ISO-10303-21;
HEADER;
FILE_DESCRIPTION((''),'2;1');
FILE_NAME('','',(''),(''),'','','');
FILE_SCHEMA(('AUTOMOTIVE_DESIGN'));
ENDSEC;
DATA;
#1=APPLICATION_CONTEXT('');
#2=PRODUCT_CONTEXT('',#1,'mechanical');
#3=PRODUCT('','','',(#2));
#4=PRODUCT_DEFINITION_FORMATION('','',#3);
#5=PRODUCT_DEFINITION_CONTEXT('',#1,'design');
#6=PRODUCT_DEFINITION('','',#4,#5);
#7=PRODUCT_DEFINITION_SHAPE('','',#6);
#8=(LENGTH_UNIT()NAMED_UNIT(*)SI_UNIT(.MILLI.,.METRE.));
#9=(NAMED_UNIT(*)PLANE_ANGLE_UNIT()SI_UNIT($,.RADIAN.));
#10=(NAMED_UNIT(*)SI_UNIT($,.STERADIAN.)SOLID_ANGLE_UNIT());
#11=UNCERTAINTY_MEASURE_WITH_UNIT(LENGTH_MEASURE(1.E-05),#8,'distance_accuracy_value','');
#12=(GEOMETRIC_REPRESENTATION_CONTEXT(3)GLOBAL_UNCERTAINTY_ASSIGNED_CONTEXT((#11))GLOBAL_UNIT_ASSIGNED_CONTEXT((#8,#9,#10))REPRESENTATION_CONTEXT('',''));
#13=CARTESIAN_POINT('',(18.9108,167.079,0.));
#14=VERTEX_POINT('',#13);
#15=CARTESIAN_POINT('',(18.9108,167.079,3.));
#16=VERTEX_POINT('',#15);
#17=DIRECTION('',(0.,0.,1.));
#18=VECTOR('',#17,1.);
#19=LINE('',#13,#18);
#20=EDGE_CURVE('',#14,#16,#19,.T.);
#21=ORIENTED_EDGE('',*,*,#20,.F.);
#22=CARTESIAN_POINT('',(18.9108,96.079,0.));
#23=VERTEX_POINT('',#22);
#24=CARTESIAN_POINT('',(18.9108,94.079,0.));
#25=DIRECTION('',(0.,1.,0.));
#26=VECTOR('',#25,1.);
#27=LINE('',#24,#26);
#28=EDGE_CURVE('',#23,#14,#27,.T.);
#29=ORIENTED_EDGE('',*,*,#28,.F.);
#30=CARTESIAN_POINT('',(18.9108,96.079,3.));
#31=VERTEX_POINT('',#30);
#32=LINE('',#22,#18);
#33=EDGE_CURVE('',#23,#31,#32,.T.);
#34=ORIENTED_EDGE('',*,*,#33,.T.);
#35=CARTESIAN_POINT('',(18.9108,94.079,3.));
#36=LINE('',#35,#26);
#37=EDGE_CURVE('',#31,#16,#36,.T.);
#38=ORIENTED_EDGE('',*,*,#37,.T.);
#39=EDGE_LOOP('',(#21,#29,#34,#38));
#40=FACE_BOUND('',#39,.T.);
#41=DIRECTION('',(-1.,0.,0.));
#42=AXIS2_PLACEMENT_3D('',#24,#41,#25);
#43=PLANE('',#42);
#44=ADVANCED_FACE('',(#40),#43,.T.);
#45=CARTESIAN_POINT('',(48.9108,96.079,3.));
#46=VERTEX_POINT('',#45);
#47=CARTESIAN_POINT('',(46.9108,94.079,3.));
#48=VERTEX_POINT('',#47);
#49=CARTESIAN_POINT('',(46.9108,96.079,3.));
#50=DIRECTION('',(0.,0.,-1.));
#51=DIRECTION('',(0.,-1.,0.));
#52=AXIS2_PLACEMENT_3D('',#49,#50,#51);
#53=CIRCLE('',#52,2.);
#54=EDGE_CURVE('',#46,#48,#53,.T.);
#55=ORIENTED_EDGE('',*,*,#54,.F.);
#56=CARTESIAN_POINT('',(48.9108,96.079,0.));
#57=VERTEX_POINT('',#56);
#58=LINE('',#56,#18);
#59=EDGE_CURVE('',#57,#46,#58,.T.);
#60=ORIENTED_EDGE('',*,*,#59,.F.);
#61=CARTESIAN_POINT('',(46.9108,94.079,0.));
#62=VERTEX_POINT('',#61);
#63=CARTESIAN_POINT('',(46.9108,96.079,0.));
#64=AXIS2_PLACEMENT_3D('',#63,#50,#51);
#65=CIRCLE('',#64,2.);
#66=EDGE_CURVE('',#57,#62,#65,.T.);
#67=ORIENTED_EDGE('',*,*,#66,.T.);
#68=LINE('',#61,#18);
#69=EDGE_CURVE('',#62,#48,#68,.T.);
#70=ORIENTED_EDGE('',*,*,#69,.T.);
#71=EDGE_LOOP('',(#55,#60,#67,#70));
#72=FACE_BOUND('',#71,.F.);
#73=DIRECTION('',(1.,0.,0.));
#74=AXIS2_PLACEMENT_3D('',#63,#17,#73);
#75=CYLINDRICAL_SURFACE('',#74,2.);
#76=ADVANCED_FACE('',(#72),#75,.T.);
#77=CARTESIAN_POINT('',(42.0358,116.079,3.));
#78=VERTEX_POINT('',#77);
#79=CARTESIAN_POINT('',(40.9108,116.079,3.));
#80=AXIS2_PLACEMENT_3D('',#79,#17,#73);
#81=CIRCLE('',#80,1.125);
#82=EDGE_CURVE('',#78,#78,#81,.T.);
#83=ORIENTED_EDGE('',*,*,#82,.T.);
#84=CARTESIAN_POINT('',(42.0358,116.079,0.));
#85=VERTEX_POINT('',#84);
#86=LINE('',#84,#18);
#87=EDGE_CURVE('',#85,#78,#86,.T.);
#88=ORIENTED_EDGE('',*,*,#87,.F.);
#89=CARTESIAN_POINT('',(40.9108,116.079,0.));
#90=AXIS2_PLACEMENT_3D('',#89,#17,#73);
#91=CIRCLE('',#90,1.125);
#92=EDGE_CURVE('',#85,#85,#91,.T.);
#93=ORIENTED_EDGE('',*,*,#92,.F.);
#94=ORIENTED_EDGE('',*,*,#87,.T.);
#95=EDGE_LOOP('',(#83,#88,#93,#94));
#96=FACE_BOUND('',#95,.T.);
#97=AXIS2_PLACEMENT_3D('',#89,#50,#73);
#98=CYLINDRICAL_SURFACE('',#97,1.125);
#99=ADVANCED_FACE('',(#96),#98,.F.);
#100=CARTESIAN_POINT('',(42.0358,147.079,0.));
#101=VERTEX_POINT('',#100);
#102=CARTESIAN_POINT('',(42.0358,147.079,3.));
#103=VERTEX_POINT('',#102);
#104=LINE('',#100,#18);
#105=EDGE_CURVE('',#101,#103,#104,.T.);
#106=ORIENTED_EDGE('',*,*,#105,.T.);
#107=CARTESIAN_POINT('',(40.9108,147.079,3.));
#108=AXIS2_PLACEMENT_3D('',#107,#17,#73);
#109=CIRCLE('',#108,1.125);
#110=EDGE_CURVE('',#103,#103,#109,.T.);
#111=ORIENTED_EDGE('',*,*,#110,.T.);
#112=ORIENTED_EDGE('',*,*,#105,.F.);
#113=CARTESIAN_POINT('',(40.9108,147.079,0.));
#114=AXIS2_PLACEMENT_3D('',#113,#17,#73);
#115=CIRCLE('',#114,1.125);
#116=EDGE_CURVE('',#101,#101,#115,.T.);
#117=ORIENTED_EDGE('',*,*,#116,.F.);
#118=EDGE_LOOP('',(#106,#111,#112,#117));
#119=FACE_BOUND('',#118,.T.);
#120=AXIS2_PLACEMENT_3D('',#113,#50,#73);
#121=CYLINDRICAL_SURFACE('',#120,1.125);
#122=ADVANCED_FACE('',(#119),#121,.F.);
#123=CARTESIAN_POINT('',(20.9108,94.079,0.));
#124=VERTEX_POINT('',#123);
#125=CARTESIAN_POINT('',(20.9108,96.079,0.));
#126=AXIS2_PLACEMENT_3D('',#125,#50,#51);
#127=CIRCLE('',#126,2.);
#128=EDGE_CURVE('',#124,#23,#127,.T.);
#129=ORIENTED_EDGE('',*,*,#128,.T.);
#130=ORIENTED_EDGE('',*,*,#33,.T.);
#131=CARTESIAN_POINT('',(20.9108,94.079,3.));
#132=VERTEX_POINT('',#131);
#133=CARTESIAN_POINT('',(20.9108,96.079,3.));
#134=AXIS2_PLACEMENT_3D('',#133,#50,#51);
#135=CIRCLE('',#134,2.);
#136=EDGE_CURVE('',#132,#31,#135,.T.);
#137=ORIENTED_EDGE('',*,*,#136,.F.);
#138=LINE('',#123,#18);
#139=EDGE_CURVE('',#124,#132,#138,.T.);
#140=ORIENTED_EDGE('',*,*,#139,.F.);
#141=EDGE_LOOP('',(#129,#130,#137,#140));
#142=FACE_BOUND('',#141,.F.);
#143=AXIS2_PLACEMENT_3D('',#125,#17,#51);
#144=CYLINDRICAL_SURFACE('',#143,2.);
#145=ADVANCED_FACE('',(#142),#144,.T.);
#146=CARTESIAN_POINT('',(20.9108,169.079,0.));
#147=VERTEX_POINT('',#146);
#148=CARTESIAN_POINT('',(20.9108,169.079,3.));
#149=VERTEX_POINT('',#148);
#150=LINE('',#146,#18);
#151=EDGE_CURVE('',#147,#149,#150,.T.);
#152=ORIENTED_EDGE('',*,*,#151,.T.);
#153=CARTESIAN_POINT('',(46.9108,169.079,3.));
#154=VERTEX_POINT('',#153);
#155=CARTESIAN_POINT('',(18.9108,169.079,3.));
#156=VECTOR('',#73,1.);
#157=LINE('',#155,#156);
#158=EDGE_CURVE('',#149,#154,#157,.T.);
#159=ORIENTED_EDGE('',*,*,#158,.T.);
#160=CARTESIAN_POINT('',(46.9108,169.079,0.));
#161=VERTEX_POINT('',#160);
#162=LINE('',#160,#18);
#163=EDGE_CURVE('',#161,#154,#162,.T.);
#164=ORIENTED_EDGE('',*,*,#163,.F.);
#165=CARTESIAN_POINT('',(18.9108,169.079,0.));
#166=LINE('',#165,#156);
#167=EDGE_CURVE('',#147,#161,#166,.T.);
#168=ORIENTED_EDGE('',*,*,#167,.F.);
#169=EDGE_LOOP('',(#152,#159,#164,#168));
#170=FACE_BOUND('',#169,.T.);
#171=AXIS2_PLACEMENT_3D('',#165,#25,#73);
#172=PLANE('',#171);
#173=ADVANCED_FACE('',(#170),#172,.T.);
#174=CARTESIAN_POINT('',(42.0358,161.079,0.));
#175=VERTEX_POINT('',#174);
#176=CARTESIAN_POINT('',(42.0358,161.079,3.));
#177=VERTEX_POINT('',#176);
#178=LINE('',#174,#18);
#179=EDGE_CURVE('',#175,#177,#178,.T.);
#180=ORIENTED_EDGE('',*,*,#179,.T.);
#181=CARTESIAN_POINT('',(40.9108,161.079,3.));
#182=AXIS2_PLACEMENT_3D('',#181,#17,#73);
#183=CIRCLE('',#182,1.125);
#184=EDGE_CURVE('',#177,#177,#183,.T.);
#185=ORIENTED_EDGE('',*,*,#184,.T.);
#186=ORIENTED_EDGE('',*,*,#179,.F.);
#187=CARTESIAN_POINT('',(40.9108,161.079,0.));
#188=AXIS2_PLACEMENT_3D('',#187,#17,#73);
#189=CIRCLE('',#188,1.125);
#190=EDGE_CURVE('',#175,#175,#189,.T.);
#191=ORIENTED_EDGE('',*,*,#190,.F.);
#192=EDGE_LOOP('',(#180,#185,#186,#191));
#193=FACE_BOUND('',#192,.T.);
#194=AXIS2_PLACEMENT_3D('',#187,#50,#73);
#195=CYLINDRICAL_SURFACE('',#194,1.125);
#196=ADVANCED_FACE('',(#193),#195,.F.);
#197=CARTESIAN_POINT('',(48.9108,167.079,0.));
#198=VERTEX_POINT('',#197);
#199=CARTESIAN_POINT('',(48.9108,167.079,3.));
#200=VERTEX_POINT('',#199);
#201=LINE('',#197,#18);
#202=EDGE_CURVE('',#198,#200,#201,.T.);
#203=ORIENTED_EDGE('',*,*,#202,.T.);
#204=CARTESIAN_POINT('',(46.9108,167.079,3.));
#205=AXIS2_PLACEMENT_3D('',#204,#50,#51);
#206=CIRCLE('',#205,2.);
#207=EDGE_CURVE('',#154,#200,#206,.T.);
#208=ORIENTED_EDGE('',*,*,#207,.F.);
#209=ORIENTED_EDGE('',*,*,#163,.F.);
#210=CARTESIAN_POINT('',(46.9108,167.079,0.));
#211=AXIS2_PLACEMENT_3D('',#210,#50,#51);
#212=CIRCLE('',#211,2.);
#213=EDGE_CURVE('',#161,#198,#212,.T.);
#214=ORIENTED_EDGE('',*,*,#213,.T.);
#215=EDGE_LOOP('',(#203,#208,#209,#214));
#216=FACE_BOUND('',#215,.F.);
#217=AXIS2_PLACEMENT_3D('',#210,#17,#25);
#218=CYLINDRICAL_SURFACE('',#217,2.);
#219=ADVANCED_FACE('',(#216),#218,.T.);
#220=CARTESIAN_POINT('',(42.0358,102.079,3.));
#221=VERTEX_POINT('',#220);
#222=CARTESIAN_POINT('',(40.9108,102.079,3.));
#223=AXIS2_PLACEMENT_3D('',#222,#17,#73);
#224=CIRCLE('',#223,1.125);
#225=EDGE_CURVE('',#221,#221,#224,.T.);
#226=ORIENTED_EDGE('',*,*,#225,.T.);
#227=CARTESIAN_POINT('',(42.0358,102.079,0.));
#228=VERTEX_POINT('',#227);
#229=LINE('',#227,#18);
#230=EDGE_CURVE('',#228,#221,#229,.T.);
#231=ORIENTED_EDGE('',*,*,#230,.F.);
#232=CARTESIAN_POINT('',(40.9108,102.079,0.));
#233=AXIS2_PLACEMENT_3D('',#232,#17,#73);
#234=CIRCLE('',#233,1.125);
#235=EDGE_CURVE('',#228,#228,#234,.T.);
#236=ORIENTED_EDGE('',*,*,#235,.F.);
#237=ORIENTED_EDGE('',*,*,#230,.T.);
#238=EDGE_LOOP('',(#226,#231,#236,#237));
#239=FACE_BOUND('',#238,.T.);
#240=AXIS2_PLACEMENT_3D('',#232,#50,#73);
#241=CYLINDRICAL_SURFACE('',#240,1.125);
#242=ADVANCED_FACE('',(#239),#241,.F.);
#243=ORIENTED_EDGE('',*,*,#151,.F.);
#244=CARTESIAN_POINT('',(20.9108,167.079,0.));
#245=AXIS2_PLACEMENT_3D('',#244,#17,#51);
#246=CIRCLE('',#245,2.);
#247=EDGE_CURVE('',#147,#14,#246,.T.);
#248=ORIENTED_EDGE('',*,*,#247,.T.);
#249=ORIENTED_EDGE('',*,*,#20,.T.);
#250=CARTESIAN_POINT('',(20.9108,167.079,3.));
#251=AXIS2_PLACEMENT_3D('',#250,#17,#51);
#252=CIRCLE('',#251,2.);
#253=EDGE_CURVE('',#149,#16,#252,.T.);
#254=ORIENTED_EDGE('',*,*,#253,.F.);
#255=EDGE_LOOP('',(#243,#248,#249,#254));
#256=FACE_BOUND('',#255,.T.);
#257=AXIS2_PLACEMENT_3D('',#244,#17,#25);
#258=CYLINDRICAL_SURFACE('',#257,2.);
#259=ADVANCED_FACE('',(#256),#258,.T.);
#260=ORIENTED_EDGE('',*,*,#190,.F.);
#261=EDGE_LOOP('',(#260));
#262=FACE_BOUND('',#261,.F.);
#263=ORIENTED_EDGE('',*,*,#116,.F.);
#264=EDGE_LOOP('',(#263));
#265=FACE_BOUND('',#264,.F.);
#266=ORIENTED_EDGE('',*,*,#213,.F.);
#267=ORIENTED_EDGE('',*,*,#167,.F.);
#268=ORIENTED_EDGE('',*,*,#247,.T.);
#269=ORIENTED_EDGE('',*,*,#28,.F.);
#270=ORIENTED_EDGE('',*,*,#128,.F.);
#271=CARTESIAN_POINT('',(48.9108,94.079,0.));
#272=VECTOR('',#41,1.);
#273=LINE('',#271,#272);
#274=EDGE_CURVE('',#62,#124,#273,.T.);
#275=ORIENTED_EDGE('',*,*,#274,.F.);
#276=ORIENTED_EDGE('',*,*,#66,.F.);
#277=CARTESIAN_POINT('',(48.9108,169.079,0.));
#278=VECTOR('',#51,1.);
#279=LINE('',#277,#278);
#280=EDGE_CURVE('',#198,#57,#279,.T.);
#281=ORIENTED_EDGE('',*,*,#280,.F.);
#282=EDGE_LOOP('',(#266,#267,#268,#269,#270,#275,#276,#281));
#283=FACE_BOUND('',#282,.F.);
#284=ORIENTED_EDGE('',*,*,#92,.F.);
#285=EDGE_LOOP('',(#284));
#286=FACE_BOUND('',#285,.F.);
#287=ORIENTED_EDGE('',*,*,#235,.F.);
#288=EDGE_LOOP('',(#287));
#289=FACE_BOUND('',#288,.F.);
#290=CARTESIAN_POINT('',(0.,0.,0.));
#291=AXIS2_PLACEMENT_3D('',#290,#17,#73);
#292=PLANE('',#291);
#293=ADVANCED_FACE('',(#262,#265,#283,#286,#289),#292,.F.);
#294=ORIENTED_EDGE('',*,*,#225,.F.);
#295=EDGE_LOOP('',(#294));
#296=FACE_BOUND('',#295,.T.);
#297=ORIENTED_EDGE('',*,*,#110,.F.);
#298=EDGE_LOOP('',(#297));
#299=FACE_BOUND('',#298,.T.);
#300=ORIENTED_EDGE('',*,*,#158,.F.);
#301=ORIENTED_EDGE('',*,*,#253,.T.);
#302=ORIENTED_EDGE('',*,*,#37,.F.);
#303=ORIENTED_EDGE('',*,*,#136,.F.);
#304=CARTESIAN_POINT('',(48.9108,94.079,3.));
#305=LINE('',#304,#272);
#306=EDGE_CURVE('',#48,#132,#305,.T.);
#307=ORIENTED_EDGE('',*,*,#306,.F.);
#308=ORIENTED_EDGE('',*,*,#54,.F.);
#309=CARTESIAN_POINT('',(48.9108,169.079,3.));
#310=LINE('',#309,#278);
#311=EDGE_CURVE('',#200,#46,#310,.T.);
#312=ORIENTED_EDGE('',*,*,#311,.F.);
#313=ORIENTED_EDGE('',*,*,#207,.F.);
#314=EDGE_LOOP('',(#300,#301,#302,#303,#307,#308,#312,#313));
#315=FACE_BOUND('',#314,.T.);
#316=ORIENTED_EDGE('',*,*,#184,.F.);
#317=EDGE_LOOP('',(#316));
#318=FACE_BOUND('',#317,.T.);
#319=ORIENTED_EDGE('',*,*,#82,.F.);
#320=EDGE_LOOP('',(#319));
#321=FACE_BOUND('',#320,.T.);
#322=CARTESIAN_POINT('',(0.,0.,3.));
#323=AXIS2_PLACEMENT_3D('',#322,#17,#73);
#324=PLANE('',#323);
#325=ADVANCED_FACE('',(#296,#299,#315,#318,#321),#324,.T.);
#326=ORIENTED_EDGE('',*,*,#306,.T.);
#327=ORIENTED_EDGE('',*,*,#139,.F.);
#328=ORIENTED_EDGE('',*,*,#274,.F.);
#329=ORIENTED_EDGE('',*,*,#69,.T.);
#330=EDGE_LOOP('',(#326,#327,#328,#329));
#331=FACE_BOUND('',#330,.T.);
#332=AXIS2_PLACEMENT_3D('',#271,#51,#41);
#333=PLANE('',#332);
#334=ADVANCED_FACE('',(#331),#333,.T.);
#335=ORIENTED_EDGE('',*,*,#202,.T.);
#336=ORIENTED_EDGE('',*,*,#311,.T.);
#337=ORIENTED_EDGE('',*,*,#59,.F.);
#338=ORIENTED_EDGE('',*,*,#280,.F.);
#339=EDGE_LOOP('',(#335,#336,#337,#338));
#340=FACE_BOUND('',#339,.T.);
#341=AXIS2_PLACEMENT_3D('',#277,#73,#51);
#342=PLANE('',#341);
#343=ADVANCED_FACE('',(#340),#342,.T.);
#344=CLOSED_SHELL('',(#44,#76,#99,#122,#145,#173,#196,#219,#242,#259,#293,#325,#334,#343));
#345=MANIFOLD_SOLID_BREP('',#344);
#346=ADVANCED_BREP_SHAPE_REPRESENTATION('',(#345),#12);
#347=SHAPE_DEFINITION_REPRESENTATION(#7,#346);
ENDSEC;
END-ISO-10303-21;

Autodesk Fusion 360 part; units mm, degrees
sketch "Sketch4" plane through (0, 0, 0) normal (0, 0, 1) x (1, 0, 0)
  line L0 (18.9108, 169.079) -> (48.9108, 169.079)
  line L1 (48.9108, 169.079) -> (48.9108, 94.079)
  line L2 (48.9108, 94.079) -> (18.9108, 94.079)
  line L3 (18.9108, 94.079) -> (18.9108, 169.079)
  circle A0 centre (40.9108, 102.079) radius 1.125
  line L4 (48.9108, 109.079) -> (41, 109.079) construction
  circle A1 centre (40.9108, 116.079) radius 1.125
  line L5 (18.9108, 169.079) -> (48.9108, 94.079) construction
  line L6 (18.9108, 94.079) -> (48.9108, 169.079) construction
  line L7 (33.9108, 131.579) -> (48.9108, 131.579) construction
  circle A2 centre (40.9108, 147.079) radius 1.125
  circle A3 centre (40.9108, 161.079) radius 1.125
  dimension "d38" = 2.25
  dimension "d39" = 8
  dimension "d40" = 8
  dimension "d41" = 75
  dimension "d42" = 30
  dimension "d43" = 7
extrude "Extrude4" add sketch "Sketch4" along normal blind 3
fillet "Fillet5" radius 2 4 edges at (48.9108, 94.079, 1.5) (18.9108, 94.079, 1.5) (18.9108, 169.079, 1.5) (48.9108, 169.079, 1.5)
